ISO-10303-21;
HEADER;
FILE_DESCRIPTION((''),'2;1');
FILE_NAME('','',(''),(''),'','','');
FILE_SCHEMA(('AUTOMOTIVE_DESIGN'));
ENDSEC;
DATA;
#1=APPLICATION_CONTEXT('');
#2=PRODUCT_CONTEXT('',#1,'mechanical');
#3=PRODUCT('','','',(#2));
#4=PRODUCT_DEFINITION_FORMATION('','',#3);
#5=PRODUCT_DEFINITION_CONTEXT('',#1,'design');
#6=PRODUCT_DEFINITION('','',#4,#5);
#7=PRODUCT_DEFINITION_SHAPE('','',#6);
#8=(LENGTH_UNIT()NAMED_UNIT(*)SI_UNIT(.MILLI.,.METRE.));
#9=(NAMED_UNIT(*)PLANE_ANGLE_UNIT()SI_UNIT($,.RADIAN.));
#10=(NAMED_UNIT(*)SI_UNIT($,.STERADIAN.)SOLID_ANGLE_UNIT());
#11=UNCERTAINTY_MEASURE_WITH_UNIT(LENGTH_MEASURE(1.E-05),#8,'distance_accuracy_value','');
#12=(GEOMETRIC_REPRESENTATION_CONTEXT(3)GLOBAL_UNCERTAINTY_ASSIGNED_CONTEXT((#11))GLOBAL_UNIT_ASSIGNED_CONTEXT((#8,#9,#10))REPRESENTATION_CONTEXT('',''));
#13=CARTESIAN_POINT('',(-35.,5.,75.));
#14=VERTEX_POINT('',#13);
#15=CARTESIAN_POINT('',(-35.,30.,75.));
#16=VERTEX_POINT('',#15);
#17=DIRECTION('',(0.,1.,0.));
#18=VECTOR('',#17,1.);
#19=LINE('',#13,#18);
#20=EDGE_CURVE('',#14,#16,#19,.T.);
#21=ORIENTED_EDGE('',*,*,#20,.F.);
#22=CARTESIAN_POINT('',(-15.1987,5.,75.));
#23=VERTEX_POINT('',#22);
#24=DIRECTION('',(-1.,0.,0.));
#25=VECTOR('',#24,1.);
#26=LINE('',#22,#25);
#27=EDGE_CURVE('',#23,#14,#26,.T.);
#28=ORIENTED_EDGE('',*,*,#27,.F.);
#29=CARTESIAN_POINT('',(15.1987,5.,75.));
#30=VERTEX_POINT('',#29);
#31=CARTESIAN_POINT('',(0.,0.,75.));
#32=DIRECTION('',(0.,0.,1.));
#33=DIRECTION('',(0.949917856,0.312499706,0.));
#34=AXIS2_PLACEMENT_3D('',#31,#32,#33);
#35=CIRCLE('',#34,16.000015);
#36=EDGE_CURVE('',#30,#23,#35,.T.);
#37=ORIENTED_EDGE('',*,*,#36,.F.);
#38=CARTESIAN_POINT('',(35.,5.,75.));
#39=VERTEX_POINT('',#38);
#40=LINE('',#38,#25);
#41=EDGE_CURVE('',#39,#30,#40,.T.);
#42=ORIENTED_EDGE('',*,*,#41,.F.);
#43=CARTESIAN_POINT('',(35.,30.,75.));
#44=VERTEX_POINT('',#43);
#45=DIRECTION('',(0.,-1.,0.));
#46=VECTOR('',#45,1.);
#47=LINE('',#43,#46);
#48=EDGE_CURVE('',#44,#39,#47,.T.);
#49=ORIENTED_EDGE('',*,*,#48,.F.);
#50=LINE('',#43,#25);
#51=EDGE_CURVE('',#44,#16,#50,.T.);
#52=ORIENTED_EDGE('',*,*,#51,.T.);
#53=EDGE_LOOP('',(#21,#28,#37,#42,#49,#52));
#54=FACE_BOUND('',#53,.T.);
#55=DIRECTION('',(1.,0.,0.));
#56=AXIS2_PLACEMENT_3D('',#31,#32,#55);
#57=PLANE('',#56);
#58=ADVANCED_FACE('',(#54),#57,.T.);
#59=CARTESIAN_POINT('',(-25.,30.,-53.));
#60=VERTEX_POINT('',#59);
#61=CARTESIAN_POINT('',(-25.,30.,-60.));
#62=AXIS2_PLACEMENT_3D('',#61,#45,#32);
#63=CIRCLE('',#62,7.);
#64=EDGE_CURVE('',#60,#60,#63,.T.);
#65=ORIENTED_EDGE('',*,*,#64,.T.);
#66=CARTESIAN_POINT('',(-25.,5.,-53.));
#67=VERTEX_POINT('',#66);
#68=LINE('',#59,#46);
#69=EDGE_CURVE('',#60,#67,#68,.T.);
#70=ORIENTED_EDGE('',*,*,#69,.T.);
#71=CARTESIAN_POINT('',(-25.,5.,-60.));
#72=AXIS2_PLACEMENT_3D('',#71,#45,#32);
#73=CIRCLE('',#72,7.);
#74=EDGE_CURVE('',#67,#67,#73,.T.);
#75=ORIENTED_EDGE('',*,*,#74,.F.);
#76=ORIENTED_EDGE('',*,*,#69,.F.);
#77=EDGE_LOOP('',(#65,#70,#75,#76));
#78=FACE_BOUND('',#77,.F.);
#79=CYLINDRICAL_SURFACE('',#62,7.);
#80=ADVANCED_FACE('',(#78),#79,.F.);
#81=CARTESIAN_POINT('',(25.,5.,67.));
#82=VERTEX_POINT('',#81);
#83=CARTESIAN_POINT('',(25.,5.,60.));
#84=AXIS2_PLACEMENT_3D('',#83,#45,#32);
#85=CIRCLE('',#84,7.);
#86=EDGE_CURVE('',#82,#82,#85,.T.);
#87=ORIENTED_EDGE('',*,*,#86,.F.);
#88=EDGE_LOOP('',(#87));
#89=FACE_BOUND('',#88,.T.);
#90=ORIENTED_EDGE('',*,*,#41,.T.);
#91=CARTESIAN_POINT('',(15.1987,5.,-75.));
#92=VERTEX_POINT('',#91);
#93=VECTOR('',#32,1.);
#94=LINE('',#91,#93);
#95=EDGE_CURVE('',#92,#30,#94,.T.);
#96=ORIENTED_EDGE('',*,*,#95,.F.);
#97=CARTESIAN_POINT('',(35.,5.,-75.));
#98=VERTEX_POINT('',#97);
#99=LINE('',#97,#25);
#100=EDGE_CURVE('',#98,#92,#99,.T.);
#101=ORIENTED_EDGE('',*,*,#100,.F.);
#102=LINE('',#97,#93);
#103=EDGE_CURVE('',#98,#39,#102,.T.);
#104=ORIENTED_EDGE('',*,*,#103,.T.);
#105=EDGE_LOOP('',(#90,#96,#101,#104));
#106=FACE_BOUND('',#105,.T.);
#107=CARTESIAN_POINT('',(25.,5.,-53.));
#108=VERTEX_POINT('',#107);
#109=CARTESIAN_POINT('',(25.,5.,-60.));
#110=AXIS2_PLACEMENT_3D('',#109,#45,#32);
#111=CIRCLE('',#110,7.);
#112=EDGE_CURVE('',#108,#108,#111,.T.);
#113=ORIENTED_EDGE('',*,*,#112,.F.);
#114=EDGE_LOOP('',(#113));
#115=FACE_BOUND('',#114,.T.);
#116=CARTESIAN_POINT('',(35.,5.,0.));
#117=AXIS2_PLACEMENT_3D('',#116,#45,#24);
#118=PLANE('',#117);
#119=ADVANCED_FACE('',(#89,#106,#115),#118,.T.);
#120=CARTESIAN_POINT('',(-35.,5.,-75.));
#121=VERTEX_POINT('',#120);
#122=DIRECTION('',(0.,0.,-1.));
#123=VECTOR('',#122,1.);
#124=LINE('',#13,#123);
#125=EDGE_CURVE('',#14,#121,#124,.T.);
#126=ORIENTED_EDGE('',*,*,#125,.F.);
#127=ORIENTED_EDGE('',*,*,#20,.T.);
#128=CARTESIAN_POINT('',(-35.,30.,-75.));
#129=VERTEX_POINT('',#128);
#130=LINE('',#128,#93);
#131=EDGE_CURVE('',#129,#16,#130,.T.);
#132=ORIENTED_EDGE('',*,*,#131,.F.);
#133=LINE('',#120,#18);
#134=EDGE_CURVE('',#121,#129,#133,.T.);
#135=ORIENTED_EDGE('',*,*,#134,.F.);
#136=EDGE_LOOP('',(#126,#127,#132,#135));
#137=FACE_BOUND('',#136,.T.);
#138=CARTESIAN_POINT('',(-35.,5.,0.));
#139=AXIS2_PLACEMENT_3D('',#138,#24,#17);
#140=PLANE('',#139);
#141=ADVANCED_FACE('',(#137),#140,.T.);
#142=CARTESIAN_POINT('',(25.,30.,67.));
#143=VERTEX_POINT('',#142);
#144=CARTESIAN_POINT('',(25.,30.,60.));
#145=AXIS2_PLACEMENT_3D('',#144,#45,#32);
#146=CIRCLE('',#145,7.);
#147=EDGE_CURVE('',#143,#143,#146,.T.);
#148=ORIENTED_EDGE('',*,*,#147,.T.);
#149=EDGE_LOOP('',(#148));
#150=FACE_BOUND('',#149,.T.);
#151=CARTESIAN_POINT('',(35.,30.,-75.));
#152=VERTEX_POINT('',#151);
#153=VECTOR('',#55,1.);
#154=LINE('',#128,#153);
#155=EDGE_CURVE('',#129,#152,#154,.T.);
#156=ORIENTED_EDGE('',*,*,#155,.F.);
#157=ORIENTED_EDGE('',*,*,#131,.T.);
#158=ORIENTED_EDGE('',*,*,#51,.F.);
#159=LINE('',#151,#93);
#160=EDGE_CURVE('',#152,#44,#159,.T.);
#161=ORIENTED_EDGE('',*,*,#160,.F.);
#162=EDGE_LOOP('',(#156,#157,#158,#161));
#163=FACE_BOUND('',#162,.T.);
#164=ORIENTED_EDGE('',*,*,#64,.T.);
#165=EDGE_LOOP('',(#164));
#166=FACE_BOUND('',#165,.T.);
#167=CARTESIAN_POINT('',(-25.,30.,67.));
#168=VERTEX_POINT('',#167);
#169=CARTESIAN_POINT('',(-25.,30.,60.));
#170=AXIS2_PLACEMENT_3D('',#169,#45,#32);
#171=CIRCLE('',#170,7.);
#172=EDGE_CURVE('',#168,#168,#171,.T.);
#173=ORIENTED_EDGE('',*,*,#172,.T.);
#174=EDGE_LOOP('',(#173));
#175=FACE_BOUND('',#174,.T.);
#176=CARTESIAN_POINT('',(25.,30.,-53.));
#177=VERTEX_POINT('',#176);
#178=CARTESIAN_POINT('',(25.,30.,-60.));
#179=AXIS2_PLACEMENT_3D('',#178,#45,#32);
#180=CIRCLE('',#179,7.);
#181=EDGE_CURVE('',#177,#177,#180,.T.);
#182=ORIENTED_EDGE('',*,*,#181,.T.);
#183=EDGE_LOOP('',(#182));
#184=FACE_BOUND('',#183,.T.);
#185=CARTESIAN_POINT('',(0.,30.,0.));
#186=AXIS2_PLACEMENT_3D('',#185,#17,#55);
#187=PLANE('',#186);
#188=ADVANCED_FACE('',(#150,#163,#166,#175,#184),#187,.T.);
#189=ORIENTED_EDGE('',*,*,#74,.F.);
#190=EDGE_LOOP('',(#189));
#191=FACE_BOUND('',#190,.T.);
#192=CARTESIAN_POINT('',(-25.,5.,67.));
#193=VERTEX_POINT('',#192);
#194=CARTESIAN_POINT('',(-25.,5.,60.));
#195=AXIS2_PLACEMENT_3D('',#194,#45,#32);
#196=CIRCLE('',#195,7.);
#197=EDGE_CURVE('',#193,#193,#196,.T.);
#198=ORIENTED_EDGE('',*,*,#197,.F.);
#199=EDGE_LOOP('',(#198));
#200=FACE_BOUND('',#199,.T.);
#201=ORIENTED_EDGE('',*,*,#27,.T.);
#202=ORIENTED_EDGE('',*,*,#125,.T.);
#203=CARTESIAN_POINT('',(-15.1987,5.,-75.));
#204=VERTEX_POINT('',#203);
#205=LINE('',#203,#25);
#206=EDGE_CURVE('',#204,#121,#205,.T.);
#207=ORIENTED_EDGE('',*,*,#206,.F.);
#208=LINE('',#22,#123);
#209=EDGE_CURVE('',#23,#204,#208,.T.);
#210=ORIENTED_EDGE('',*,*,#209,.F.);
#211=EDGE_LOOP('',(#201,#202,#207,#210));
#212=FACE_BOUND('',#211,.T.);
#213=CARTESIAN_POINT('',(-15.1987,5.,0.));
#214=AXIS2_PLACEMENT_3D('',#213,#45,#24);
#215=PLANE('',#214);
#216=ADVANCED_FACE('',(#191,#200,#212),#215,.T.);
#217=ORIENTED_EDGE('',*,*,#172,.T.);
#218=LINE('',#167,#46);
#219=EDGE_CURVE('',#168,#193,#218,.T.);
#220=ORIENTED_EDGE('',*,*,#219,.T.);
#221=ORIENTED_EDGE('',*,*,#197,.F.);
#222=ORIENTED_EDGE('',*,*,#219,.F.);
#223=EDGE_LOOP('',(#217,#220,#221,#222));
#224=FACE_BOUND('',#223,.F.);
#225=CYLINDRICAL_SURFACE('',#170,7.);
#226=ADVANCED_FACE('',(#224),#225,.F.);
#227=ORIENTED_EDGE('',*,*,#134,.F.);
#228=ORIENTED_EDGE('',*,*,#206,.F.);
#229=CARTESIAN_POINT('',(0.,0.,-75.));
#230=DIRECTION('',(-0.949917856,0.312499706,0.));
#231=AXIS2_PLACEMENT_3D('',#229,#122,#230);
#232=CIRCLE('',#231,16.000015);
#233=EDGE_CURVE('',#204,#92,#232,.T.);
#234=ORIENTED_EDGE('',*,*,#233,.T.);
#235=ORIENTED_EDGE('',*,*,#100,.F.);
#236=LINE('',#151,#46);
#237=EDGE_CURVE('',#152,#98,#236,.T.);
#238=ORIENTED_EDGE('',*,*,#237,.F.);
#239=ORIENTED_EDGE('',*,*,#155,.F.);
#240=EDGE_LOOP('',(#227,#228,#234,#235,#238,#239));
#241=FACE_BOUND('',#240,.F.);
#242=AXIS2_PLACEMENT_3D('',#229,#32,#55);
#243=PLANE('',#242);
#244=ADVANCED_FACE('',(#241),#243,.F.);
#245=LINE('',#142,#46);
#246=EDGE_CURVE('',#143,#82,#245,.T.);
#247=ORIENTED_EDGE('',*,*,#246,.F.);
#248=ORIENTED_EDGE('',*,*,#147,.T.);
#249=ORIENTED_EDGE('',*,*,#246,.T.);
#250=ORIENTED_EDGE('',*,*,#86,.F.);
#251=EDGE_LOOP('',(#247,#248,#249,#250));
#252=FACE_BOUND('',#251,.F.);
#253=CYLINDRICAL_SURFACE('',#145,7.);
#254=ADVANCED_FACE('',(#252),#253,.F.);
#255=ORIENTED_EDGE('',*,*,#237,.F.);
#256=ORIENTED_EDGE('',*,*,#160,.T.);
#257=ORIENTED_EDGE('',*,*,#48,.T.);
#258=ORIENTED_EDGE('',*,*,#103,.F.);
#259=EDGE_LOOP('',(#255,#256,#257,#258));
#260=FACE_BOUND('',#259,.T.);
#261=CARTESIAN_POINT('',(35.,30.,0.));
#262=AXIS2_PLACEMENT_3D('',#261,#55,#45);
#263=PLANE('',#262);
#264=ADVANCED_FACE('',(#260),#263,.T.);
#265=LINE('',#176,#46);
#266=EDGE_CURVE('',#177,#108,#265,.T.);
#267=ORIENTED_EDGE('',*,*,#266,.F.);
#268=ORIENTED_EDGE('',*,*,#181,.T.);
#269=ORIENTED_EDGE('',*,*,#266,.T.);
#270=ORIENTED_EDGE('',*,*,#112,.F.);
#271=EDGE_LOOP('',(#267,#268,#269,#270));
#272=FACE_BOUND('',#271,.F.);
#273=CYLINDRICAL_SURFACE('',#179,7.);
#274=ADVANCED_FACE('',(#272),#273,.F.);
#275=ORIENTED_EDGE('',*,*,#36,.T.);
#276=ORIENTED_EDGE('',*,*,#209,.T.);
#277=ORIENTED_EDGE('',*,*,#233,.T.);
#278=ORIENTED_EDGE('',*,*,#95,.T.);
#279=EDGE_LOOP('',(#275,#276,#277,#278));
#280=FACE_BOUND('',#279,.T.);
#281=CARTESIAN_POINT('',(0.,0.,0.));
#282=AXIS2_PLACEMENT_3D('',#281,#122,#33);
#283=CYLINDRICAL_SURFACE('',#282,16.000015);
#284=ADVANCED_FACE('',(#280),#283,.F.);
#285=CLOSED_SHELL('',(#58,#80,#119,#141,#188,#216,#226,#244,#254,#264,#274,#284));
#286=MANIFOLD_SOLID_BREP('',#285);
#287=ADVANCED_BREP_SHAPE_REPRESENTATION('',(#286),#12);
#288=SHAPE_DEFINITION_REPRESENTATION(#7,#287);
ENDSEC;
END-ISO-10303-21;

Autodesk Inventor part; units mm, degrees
ref_plane "YZ Plane" through (0, 0, 0) normal (1, 0, 0) x (0, 1, 0)
ref_plane "XZ Plane" through (0, 0, 0) normal (0, 1, 0) x (-1, 0, 0)
ref_plane "XY Plane" through (0, 0, 0) normal (0, 0, 1) x (1, 0, 0)
sketch "Sketch1" plane through (0, 0, 0) normal (0, 0, 1) x (1, 0, 0)
  arc A0 (15.1987, 5) -> (-15.1987, 5) centre (0, 0) ccw
  line L0 (-15.1987, 5) -> (-35, 5)
  line L1 (-35, 5) -> (-35, 30)
  line L2 (-35, 30) -> (35, 30)
  line L3 (35, 30) -> (35, 5)
  line L4 (35, 5) -> (15.1987, 5)
  line L5 (0, 0) -> (0, 30)
  dimension "d0" = 32
  dimension "d1" = 70
  dimension "d2" = 5
  dimension "d3" = 19.8013
  dimension "d4" = 25
extrude "Extrusion1" add sketch "Sketch1" along normal mid plane 150
sketch "Sketch2" plane through (-35, 30, 75) normal (0, 1, 0) x (1, 0, 0)
  line L0 (0, 150) -> (70, 150) construction
  line L1 (0, 150) -> (0, 0) construction
  line L2 (35, 75) -> (70, 75)
  line L3 (35, 75) -> (35, 150)
  point P0 (10, 135)
  point P1 (60, 135)
  point P2 (10, 15)
  point P3 (60, 15)
  dimension "d7" = 15
  dimension "d8" = 10
hole "Hole1" at (-25, 30, -60) at (25, 30, -60) at (-25, 30, 60) at (25, 30, 60) direction (0, -1, 0) diameter 14 end through all
properties part number "Suspension_Clamp_Cunha"
